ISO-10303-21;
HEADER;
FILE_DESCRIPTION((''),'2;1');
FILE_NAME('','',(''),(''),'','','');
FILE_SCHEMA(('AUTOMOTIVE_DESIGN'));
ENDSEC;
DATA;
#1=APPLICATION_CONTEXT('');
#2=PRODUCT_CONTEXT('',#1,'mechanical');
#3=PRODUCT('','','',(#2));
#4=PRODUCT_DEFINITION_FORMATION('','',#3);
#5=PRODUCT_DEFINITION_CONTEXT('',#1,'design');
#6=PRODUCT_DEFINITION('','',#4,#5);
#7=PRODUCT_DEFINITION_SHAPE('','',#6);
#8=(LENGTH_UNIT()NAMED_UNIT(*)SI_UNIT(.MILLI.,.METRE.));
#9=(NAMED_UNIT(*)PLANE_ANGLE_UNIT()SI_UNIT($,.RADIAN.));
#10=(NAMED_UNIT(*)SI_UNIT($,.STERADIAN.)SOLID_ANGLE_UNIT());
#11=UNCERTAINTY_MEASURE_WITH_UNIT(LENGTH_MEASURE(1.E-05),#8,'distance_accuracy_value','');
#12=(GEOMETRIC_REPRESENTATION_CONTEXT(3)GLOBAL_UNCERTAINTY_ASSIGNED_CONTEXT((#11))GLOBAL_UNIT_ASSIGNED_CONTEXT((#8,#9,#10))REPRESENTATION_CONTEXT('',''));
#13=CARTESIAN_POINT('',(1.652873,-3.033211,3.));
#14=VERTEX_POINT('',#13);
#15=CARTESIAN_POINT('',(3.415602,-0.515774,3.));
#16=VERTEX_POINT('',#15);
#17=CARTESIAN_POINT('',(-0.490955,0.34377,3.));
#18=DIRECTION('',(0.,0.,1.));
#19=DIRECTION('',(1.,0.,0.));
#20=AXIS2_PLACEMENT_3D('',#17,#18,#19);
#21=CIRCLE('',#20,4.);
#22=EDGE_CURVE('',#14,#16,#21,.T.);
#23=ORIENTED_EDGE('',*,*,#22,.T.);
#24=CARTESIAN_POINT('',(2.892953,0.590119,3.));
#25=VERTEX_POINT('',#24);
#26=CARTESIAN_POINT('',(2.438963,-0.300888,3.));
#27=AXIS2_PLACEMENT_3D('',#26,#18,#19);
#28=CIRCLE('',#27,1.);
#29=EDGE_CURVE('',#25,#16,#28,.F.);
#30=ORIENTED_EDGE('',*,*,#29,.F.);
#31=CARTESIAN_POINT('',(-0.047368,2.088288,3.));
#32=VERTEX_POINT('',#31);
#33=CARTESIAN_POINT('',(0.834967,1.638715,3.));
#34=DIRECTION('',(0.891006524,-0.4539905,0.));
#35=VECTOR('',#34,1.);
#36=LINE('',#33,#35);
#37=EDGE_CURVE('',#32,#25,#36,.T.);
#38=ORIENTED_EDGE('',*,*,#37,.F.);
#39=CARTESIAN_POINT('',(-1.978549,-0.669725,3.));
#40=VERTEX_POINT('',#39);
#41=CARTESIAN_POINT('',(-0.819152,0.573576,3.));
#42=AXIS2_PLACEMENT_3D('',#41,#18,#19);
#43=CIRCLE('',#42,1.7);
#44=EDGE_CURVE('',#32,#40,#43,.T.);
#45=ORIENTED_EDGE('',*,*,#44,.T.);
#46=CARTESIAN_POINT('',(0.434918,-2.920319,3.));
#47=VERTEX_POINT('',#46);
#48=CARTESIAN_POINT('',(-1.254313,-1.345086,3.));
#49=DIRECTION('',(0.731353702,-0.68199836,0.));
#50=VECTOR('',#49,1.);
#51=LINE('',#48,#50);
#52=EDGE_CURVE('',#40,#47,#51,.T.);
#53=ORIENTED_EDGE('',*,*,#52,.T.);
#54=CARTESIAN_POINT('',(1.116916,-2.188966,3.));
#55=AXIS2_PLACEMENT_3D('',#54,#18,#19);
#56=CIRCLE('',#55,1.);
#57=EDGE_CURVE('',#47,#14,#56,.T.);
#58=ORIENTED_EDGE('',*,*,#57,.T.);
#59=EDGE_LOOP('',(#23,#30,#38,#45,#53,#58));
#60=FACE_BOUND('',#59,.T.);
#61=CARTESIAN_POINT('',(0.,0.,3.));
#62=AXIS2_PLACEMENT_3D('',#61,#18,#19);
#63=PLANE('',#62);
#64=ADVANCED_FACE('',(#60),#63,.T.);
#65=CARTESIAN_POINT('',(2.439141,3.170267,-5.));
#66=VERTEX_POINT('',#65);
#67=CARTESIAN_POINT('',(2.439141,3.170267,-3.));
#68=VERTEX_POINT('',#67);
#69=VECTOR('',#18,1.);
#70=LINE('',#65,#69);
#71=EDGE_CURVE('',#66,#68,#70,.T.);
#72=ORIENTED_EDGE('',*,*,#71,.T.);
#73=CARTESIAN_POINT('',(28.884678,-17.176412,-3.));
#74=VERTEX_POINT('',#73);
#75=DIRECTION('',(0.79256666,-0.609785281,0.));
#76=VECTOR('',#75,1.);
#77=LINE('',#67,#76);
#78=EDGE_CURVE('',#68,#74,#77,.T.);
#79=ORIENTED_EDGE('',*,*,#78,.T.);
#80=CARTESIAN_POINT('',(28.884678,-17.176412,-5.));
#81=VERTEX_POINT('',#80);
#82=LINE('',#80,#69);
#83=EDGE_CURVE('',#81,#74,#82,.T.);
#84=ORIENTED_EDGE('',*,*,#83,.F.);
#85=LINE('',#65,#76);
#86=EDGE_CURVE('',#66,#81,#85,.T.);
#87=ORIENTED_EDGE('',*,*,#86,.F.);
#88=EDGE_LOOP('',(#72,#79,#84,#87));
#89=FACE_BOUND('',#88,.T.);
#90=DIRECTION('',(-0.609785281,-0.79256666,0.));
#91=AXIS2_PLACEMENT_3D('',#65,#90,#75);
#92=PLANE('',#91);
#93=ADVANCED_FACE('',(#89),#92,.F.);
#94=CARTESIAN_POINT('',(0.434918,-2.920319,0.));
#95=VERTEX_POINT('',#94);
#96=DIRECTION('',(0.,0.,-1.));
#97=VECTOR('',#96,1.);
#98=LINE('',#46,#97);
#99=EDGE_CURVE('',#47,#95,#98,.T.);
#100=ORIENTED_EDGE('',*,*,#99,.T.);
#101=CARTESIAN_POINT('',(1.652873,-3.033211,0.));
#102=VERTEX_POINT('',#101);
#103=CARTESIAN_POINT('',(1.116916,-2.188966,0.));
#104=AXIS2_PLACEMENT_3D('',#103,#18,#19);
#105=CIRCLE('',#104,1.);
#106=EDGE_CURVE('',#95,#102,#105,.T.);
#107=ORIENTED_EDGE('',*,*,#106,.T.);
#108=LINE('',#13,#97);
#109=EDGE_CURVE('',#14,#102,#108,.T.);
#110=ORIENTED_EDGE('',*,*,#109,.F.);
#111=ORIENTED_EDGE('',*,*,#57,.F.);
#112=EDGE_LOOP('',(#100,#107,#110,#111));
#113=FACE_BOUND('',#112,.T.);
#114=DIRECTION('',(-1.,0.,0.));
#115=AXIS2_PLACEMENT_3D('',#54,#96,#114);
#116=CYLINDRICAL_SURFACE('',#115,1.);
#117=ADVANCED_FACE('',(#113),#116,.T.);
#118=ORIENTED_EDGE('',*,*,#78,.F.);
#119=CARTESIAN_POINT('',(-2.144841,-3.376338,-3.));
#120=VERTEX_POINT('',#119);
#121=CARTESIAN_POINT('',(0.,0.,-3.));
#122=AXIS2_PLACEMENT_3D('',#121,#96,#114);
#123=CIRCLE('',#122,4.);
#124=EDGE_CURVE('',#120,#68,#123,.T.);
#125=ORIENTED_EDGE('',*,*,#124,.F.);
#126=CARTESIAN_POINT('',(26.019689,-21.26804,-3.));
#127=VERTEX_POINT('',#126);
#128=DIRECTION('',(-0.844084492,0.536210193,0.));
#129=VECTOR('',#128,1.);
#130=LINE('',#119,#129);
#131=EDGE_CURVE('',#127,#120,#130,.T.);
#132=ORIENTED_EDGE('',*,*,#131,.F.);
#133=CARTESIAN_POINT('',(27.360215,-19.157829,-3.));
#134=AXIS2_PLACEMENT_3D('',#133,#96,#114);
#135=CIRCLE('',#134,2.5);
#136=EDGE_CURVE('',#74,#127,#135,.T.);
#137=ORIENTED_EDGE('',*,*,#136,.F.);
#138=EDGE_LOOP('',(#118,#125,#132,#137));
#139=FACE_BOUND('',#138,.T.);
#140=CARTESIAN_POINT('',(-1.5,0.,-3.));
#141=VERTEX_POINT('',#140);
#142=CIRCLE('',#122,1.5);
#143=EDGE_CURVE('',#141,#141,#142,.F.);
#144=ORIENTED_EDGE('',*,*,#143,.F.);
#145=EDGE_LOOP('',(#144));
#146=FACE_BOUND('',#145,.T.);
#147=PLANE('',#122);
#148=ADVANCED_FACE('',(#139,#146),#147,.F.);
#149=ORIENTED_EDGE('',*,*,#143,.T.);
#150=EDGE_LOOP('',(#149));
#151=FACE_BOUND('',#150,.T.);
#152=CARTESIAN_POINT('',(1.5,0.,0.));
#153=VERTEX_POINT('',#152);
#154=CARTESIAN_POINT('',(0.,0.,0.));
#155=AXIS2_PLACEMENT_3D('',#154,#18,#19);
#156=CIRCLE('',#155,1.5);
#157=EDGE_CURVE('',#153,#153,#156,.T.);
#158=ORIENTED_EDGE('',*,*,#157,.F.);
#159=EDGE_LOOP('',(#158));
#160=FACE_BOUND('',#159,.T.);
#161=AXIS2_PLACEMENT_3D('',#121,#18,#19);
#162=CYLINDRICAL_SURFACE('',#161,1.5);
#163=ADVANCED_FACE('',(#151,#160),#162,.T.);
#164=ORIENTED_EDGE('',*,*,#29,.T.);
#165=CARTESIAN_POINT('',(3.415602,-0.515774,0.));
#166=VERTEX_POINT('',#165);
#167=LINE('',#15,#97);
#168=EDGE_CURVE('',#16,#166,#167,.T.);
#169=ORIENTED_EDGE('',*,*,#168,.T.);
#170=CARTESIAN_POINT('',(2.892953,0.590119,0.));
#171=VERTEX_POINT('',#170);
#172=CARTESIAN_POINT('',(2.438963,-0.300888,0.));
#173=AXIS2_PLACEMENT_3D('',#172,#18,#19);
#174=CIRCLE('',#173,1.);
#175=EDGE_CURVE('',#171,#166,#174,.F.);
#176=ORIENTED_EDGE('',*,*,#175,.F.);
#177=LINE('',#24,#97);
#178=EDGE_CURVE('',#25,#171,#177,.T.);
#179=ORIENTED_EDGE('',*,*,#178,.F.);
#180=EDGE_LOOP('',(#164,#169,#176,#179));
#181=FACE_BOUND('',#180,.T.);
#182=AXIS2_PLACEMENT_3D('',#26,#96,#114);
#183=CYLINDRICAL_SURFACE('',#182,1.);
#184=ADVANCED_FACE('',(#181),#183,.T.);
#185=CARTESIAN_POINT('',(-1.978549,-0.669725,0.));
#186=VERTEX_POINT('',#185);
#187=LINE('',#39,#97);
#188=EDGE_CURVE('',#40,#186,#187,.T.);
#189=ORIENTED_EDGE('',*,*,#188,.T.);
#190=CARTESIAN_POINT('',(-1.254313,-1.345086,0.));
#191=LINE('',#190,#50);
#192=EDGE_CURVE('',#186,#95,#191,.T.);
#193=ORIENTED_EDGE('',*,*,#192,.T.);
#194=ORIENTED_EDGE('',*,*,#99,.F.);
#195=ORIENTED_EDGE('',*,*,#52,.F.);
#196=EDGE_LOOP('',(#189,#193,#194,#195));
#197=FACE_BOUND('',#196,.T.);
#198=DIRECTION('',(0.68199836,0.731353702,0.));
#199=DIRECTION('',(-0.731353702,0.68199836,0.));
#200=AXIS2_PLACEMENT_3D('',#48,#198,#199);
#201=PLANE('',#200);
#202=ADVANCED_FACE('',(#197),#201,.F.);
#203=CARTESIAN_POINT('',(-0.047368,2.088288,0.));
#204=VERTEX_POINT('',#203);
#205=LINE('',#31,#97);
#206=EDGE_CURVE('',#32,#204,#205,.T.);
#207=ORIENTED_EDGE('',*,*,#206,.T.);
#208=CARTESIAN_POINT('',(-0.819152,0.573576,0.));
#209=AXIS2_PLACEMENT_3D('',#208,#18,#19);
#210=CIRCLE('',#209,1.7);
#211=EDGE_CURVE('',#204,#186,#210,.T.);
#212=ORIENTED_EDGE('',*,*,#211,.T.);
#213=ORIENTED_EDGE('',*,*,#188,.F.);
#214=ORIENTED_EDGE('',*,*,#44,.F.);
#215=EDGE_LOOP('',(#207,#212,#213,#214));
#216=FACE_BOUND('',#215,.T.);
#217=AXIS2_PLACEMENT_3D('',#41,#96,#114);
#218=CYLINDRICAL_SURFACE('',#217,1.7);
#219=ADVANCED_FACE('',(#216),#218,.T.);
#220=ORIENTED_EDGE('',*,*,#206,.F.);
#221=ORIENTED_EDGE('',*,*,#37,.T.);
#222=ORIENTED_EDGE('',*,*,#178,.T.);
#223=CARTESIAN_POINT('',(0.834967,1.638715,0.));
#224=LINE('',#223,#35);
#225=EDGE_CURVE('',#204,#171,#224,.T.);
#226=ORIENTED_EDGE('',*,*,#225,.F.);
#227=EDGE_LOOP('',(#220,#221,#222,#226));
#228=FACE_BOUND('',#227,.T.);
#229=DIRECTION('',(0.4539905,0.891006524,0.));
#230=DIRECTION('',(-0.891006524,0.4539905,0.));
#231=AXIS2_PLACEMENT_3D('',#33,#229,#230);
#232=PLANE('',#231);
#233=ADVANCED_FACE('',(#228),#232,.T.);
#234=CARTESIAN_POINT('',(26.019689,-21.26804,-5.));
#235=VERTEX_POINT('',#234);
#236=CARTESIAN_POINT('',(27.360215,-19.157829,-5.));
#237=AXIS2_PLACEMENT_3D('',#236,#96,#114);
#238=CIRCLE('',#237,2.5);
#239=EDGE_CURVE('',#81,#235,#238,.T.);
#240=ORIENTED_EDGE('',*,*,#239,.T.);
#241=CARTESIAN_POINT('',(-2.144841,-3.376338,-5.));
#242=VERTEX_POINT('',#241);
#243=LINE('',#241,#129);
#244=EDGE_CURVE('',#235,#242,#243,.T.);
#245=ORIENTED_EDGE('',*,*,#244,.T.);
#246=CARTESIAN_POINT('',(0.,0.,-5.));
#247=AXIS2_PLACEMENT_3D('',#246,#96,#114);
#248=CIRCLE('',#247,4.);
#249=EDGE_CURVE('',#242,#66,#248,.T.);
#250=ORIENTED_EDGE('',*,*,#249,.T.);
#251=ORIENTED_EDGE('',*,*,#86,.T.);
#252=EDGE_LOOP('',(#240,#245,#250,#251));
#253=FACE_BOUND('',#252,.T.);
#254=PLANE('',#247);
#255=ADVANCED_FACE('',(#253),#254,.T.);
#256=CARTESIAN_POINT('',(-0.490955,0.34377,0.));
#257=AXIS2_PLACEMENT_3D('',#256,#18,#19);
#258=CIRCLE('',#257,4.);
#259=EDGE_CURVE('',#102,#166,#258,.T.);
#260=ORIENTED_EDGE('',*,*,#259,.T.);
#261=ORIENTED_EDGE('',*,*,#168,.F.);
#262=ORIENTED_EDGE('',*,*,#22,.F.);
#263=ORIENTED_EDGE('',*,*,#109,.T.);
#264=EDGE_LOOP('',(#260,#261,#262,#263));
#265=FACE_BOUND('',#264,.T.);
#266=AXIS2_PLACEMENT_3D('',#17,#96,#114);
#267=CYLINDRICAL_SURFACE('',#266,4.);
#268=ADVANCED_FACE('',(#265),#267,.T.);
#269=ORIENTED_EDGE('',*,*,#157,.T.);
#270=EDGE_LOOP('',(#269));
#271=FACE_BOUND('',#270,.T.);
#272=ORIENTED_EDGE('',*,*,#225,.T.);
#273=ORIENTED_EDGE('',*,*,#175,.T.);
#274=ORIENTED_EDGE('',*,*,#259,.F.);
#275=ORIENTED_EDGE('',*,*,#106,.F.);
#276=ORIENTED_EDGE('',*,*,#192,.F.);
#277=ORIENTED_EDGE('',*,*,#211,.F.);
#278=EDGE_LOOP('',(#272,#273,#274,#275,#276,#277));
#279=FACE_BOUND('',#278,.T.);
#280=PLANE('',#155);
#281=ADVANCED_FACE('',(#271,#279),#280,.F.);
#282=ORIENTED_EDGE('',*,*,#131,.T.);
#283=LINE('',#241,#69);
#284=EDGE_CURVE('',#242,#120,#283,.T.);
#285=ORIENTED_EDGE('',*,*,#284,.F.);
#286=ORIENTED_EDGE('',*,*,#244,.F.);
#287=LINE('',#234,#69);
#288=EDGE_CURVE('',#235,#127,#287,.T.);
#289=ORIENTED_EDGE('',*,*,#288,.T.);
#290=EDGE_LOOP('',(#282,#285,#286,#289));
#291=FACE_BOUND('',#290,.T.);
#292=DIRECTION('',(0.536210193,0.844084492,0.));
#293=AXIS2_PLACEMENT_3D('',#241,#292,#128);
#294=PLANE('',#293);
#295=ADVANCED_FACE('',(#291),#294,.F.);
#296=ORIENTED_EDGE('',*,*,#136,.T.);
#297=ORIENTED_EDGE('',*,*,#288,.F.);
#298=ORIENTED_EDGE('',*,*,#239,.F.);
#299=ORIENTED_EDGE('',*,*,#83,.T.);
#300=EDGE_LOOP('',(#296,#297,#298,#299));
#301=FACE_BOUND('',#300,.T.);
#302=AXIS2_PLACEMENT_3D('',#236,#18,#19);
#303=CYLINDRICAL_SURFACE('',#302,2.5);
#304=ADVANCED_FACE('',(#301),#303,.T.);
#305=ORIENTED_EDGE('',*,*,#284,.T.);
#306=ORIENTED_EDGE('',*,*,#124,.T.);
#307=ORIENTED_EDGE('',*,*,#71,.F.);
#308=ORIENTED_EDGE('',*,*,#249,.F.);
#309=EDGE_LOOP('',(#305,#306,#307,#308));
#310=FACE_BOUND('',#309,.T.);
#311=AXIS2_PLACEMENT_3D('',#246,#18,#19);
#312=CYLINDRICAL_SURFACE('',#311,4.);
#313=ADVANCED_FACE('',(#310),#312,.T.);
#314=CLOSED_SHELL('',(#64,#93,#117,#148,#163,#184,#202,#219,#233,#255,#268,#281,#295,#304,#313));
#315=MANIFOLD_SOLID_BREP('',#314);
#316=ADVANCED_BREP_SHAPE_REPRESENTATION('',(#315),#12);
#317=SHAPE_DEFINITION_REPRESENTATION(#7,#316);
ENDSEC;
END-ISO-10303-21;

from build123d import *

# Parameters (mm, degrees)
EXTRUDE_1_DEPTH = 3
SKETCH_1_3_R    = 1.5
EXTRUDE_2_DEPTH = 3
EXTRUDE_3_DEPTH = 2


with BuildPart() as part:
    # 草图1 → 凸台-拉伸1 (new body)
    with BuildSketch(Plane.XY):
        with BuildLine():
            ThreePointArc((-0.047368195, 2.088287527), (-2.21171052, 1.548656378), (-1.978549256, -0.669724856))
            Line((-1.978549256, -0.669724856), (0.434917959, -2.920319445))
            ThreePointArc((0.434917959, -2.920319445), (1.024622501, -3.18469756), (1.652873302, -3.033211035))
            ThreePointArc((1.652873302, -3.033211035), (2.785653548, -1.950535613), (3.41560199, -0.515773572))
            ThreePointArc((3.41560199, -0.515773572), (3.343078331, 0.126400512), (2.892953335, 0.590118878))
            Line((2.892953335, 0.590118878), (-0.047368195, 2.088287527))
        make_face()
    extrude(amount=EXTRUDE_1_DEPTH)

    # 草图1<3> → 凸台-拉伸2 (add)
    with BuildSketch(Plane.XY):
        Circle(SKETCH_1_3_R)
    extrude(amount=-EXTRUDE_2_DEPTH)

    # 草图2 → 凸台-拉伸3 (add)
    with BuildSketch(Plane(origin=(0, 0, -3), x_dir=(-1, 0, 0), z_dir=(0, 0, -1))):
        with BuildLine():
            Line((-2.439141124, 3.170266641), (-28.884678079, -17.176412053))
            ThreePointArc((-28.884678079, -17.176412053), (-29.408094987, -20.591769795), (-26.019689394, -21.268039933))
            Line((-26.019689394, -21.268039933), (2.144840772, -3.376337966))
            ThreePointArc((2.144840772, -3.376337966), (3.276608177, 2.294305745), (-2.439141124, 3.170266641))
        make_face()
    extrude(amount=EXTRUDE_3_DEPTH)


solid = part.part
